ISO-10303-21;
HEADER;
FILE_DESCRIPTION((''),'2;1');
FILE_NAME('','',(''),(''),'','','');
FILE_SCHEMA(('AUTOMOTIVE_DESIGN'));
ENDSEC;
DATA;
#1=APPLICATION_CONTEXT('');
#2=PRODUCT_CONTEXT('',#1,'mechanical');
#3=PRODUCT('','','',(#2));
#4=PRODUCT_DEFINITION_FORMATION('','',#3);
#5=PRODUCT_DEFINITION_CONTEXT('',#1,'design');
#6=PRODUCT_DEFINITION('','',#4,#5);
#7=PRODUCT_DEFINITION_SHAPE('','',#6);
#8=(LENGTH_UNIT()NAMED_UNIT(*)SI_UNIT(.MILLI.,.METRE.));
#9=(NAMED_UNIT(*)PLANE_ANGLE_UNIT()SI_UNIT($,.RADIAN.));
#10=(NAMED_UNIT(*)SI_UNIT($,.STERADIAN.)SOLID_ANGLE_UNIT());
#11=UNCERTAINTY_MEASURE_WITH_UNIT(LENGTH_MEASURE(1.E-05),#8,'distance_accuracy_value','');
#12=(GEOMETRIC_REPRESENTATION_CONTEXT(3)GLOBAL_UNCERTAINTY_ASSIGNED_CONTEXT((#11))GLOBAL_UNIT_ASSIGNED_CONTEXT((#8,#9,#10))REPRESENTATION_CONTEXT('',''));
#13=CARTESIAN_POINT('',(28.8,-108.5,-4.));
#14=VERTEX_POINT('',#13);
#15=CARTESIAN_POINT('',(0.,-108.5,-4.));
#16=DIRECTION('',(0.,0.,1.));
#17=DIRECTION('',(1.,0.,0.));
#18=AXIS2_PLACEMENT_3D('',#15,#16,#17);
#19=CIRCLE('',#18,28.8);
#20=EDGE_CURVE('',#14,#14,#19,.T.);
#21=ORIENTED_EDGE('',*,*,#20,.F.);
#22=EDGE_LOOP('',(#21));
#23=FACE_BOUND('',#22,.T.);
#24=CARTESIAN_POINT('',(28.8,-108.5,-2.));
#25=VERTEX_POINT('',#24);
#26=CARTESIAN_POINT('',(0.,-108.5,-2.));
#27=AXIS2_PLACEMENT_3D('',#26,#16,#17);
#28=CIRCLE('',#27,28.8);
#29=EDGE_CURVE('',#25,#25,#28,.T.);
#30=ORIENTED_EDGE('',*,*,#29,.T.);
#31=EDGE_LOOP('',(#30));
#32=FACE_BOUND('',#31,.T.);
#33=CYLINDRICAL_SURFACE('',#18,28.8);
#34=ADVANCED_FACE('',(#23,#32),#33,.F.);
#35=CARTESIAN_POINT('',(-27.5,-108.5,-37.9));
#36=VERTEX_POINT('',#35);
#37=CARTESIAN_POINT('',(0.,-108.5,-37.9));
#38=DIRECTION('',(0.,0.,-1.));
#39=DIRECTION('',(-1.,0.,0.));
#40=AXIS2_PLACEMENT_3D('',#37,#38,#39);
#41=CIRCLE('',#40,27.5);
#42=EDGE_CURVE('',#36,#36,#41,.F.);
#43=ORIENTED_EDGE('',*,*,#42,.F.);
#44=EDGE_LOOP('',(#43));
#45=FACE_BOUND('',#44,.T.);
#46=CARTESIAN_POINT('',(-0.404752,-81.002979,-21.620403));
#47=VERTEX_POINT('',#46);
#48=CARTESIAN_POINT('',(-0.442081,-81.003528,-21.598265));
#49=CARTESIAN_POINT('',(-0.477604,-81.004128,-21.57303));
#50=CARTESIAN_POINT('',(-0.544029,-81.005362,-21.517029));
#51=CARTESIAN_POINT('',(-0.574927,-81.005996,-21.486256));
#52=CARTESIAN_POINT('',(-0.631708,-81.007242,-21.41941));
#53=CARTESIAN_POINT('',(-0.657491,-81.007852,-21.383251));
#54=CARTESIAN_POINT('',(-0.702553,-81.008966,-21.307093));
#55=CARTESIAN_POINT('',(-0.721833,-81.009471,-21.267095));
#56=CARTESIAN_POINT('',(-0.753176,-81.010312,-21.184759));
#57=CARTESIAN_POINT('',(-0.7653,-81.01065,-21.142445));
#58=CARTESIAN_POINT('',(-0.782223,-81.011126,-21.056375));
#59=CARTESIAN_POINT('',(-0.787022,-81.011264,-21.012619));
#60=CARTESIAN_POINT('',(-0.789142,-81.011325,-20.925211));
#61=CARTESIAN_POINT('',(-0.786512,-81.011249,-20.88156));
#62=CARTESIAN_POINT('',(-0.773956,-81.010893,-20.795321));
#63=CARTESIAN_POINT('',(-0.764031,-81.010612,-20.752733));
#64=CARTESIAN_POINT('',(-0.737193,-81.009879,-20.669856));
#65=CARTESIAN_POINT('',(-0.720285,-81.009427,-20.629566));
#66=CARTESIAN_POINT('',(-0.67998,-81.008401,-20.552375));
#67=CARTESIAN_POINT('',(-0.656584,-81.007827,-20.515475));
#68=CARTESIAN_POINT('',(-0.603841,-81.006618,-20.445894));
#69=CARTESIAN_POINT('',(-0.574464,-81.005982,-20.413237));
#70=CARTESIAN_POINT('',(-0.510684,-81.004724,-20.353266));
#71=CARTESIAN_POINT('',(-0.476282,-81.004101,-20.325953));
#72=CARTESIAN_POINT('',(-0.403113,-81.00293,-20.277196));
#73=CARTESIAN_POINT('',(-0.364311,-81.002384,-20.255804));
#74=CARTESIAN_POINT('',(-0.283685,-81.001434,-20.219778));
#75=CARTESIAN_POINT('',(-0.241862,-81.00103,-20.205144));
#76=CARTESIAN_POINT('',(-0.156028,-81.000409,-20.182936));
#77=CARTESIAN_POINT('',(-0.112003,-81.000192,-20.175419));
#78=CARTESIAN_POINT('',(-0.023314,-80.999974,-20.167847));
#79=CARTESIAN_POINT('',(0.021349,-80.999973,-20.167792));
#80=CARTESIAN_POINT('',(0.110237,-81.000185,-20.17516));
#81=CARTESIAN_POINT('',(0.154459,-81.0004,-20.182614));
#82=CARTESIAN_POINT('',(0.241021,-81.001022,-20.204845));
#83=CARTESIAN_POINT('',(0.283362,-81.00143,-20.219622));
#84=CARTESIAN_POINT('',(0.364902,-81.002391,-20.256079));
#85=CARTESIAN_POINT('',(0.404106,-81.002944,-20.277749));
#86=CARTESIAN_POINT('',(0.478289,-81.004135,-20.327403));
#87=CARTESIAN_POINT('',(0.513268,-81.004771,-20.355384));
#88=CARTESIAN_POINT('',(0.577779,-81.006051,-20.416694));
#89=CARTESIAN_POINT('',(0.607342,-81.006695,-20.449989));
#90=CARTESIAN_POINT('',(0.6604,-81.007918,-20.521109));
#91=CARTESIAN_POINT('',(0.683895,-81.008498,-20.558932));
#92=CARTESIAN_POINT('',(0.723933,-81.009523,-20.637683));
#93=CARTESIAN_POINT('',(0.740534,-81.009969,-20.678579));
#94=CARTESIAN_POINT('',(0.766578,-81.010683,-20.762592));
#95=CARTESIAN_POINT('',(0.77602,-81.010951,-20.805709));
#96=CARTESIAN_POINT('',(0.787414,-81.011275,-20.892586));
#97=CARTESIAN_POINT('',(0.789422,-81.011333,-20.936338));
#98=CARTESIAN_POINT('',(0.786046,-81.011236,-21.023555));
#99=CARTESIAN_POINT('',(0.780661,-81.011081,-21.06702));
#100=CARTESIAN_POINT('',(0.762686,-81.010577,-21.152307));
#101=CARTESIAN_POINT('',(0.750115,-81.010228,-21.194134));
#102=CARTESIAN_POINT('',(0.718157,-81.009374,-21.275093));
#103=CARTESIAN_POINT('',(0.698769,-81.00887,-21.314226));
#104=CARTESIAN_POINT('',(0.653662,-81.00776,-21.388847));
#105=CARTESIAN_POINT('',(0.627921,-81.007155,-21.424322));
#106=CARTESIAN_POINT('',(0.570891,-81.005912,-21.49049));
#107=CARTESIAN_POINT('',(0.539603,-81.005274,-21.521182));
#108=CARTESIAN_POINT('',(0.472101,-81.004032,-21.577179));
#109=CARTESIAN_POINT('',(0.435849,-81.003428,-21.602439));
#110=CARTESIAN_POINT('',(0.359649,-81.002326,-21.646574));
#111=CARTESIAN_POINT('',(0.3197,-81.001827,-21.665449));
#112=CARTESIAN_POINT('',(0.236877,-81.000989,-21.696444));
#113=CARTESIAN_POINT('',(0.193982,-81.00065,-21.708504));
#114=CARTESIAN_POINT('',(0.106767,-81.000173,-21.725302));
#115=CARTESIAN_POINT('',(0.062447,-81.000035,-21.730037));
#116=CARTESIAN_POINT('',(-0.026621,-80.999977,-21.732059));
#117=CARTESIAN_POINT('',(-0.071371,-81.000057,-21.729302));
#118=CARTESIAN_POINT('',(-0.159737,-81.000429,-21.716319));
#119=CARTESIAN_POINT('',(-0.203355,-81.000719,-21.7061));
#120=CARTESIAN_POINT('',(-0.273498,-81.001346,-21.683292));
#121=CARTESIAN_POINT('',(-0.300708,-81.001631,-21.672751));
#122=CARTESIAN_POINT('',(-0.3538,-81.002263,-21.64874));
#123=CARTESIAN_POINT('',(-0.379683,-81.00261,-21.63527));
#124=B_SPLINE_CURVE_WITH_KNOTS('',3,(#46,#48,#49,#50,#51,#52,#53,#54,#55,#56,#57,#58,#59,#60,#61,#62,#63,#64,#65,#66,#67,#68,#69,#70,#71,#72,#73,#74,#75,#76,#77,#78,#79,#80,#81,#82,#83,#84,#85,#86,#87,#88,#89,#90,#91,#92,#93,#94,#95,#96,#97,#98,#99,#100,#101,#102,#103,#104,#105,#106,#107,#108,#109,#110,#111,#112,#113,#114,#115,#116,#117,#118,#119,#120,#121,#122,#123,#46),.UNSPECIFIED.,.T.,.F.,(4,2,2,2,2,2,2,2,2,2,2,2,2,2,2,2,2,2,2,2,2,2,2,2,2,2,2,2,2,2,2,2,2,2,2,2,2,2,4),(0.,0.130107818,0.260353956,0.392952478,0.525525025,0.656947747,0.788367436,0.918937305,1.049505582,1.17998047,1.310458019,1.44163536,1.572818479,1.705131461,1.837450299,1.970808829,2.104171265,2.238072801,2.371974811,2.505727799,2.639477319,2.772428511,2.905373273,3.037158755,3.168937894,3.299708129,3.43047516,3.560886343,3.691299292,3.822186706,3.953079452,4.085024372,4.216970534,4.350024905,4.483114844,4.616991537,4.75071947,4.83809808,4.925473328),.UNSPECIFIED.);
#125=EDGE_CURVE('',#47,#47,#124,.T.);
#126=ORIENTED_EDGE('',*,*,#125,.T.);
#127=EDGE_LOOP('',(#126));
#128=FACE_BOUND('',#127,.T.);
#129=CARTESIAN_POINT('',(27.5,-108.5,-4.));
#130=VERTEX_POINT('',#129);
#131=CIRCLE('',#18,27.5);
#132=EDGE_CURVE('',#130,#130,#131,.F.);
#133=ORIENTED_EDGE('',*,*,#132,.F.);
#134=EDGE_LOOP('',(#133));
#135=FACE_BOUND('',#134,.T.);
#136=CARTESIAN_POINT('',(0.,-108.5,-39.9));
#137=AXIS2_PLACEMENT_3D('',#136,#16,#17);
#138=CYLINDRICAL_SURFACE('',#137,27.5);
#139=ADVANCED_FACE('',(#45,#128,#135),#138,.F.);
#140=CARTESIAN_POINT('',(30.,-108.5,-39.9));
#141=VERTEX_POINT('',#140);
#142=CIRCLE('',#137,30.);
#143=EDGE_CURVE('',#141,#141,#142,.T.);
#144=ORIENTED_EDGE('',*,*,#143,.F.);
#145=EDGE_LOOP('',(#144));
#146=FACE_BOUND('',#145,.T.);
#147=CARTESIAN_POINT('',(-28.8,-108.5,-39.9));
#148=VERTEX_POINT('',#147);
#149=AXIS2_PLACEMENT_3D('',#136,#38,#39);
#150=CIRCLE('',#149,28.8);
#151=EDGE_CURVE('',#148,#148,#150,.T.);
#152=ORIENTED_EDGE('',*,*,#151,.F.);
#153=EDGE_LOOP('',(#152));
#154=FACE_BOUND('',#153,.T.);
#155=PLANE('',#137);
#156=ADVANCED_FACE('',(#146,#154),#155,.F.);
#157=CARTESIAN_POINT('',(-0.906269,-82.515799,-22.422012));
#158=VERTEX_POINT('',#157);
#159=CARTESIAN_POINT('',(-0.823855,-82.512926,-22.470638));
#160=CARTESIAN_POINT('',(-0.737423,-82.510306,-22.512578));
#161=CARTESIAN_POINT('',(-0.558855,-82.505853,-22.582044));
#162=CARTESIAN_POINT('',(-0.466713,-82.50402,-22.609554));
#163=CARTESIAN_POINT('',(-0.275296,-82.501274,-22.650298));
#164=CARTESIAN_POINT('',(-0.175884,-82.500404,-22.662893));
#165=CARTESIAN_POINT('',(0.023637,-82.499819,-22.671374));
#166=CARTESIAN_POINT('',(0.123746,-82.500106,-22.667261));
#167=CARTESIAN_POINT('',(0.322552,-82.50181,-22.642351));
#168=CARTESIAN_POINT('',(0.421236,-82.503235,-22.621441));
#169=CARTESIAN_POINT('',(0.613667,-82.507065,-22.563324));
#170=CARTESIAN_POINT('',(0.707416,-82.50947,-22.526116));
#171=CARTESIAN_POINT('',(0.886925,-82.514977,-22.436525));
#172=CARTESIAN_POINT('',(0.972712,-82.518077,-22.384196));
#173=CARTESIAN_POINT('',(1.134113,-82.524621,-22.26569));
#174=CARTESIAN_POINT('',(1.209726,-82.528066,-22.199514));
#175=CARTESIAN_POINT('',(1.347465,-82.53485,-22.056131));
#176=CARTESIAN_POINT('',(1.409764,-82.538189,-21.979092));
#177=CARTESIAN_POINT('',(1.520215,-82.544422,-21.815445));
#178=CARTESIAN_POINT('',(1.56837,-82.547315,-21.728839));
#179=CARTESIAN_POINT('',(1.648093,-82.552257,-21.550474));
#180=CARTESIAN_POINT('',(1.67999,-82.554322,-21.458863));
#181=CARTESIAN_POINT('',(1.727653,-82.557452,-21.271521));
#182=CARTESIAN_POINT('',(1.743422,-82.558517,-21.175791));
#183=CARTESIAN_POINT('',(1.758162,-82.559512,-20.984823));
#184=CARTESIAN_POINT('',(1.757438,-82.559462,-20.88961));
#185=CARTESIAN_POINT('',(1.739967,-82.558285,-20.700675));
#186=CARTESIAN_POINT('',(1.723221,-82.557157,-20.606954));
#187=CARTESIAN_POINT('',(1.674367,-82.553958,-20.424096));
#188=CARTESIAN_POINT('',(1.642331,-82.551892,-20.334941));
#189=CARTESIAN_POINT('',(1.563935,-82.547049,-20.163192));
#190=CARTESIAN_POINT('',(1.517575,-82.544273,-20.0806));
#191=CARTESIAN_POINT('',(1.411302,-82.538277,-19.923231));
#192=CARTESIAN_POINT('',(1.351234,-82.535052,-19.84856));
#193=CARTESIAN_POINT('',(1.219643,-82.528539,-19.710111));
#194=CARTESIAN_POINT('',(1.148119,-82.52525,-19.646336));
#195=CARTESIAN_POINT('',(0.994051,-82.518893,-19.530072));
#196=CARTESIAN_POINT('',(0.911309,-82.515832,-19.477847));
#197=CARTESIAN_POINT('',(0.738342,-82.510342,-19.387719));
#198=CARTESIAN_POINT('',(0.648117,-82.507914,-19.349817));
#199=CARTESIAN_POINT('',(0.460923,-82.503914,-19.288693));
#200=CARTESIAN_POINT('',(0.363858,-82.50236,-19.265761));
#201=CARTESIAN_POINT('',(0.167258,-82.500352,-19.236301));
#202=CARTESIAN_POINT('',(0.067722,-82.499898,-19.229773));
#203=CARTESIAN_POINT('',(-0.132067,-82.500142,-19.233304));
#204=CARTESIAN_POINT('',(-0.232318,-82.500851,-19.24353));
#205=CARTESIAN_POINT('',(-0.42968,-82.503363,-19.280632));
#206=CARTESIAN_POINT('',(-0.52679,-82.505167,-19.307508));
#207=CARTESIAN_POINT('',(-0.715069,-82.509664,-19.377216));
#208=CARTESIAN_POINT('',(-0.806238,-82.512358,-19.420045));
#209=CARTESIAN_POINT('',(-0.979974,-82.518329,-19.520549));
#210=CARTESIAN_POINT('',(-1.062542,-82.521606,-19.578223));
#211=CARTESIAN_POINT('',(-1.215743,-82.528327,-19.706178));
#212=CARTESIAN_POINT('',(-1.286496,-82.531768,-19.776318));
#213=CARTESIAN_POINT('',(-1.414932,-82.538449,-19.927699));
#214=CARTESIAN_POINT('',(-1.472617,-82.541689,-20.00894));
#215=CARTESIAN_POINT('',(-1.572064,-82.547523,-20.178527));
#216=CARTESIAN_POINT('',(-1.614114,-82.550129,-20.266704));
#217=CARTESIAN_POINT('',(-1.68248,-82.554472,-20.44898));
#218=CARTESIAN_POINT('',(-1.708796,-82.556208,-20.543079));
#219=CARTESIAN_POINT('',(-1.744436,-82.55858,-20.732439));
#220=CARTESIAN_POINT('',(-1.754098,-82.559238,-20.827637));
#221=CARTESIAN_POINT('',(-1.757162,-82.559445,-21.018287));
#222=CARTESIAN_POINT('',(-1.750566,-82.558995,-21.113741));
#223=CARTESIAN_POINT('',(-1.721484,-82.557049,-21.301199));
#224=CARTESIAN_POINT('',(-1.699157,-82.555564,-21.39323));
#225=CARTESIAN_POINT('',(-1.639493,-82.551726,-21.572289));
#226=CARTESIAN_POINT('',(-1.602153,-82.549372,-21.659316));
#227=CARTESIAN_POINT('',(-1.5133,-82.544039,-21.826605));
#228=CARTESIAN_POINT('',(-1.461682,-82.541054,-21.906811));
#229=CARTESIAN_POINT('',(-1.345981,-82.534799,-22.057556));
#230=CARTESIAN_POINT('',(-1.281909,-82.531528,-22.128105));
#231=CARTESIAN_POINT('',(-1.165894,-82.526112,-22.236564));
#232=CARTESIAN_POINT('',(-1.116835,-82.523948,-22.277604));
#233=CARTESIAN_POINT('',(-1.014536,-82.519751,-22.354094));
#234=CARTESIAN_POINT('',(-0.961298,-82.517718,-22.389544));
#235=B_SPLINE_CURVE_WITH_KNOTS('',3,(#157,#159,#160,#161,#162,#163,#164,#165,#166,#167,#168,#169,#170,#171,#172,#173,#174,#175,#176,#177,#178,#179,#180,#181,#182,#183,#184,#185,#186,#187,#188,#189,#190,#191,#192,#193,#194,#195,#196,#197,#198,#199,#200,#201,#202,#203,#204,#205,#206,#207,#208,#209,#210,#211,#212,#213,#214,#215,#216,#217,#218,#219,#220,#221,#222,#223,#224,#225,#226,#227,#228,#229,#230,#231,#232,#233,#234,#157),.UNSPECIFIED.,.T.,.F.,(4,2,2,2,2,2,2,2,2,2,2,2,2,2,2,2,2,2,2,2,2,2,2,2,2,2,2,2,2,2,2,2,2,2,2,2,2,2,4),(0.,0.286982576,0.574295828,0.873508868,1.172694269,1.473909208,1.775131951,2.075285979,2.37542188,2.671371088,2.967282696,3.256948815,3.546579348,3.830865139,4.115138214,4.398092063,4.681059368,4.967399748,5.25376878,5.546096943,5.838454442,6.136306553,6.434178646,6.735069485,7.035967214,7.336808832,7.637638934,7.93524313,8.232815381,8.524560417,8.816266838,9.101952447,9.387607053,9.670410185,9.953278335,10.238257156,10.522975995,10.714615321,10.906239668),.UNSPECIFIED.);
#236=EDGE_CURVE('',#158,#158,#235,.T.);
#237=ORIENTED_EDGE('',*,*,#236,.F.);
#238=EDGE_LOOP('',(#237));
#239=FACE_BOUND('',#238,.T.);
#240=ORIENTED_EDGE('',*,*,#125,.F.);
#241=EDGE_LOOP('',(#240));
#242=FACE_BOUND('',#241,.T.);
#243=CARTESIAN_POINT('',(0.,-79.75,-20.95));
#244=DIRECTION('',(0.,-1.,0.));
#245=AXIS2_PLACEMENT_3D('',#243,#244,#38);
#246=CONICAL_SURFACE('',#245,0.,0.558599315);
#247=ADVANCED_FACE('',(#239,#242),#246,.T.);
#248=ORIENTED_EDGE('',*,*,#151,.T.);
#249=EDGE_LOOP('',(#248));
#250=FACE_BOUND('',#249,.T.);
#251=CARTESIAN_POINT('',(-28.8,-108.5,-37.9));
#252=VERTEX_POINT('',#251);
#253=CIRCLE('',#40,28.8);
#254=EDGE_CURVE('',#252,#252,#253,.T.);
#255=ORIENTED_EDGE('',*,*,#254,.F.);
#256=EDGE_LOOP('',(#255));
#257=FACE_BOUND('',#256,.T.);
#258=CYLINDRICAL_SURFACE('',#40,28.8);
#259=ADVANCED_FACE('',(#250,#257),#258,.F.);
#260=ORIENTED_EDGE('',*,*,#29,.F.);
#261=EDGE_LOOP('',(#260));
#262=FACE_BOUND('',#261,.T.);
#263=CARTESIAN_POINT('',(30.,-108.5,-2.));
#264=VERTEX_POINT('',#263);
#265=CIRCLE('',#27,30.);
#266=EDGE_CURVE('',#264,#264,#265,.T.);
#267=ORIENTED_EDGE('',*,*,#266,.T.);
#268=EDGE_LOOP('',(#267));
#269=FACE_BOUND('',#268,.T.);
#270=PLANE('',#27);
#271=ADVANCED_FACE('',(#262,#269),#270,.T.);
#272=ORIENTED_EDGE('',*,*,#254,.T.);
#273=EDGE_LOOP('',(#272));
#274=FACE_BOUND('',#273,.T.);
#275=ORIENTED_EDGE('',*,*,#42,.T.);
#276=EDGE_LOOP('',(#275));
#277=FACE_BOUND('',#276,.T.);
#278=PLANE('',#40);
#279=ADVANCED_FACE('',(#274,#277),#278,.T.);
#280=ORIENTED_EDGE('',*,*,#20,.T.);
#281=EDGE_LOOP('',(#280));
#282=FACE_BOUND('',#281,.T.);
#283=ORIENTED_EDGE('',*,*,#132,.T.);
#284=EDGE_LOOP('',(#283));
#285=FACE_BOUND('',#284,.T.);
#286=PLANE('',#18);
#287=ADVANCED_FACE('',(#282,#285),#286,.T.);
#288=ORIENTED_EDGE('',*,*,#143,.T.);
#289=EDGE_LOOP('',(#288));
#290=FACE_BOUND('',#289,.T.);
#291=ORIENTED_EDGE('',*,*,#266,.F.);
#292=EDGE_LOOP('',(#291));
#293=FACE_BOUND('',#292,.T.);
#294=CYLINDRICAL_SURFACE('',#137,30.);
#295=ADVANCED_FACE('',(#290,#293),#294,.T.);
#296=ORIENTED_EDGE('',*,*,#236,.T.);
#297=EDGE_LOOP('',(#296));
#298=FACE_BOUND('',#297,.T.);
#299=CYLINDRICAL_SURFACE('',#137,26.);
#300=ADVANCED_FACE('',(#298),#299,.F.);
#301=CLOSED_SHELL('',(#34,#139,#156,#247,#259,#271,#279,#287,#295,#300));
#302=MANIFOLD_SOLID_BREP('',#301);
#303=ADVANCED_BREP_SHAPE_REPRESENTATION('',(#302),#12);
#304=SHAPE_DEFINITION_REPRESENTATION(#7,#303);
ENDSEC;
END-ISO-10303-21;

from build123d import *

# Parameters (mm, degrees)
BOSS_EXTRUDE1_START = -2
SKETCH1_R           = 30
SKETCH1_R_2         = 27.5
BOSS_EXTRUDE1_DEPTH = 37.9
SKETCH2_R           = 28.8
CUT_EXTRUDE1_DEPTH  = 2
SKETCH3_R           = 28.8
CUT_EXTRUDE2_DEPTH  = 2
SKETCH5_R           = 26
CUT_EXTRUDE3_DEPTH  = 38.9


with BuildPart() as part:
    # Sketch1 → Boss-Extrude1 (new body)
    with BuildSketch(Plane.XY.offset(BOSS_EXTRUDE1_START)):
        with Locations((0, -108.5)):
            Circle(SKETCH1_R)
        with Locations((0, -108.5)):
            Circle(SKETCH1_R_2, mode=Mode.SUBTRACT)
    extrude(amount=-BOSS_EXTRUDE1_DEPTH)

    # Sketch2 → Cut-Extrude1 (cut)
    with BuildSketch(Plane.XY.offset(-2)):
        with Locations((0, -108.5)):
            Circle(SKETCH2_R)
    extrude(amount=-CUT_EXTRUDE1_DEPTH, mode=Mode.SUBTRACT)

    # Sketch3 → Cut-Extrude2 (cut)
    with BuildSketch(Plane(origin=(0, 0, -39.9), x_dir=(-1, 0, 0), z_dir=(0, 0, -1))):
        with Locations((0, -108.5)):
            Circle(SKETCH3_R)
    extrude(amount=-CUT_EXTRUDE2_DEPTH, mode=Mode.SUBTRACT)

    # Sketch4 → Revolve1 (revolve)
    with BuildSketch(Plane(origin=(0, 0, 0), x_dir=(0, 0, -1), z_dir=(1, 0, 0))):
        Polygon((20.95, -79.75), (20.95, -83.75), (18.45, -83.75), align=None)
    revolve(axis=Axis((0, -79.75, -20.95), (0, -1, 0)))

    # Sketch5 → Cut-Extrude3 (cut, through all)
    with BuildSketch(Plane.XY.offset(-2)):
        with Locations((0, -108.5)):
            Circle(SKETCH5_R)
    extrude(amount=-CUT_EXTRUDE3_DEPTH, mode=Mode.SUBTRACT)


solid = part.part
